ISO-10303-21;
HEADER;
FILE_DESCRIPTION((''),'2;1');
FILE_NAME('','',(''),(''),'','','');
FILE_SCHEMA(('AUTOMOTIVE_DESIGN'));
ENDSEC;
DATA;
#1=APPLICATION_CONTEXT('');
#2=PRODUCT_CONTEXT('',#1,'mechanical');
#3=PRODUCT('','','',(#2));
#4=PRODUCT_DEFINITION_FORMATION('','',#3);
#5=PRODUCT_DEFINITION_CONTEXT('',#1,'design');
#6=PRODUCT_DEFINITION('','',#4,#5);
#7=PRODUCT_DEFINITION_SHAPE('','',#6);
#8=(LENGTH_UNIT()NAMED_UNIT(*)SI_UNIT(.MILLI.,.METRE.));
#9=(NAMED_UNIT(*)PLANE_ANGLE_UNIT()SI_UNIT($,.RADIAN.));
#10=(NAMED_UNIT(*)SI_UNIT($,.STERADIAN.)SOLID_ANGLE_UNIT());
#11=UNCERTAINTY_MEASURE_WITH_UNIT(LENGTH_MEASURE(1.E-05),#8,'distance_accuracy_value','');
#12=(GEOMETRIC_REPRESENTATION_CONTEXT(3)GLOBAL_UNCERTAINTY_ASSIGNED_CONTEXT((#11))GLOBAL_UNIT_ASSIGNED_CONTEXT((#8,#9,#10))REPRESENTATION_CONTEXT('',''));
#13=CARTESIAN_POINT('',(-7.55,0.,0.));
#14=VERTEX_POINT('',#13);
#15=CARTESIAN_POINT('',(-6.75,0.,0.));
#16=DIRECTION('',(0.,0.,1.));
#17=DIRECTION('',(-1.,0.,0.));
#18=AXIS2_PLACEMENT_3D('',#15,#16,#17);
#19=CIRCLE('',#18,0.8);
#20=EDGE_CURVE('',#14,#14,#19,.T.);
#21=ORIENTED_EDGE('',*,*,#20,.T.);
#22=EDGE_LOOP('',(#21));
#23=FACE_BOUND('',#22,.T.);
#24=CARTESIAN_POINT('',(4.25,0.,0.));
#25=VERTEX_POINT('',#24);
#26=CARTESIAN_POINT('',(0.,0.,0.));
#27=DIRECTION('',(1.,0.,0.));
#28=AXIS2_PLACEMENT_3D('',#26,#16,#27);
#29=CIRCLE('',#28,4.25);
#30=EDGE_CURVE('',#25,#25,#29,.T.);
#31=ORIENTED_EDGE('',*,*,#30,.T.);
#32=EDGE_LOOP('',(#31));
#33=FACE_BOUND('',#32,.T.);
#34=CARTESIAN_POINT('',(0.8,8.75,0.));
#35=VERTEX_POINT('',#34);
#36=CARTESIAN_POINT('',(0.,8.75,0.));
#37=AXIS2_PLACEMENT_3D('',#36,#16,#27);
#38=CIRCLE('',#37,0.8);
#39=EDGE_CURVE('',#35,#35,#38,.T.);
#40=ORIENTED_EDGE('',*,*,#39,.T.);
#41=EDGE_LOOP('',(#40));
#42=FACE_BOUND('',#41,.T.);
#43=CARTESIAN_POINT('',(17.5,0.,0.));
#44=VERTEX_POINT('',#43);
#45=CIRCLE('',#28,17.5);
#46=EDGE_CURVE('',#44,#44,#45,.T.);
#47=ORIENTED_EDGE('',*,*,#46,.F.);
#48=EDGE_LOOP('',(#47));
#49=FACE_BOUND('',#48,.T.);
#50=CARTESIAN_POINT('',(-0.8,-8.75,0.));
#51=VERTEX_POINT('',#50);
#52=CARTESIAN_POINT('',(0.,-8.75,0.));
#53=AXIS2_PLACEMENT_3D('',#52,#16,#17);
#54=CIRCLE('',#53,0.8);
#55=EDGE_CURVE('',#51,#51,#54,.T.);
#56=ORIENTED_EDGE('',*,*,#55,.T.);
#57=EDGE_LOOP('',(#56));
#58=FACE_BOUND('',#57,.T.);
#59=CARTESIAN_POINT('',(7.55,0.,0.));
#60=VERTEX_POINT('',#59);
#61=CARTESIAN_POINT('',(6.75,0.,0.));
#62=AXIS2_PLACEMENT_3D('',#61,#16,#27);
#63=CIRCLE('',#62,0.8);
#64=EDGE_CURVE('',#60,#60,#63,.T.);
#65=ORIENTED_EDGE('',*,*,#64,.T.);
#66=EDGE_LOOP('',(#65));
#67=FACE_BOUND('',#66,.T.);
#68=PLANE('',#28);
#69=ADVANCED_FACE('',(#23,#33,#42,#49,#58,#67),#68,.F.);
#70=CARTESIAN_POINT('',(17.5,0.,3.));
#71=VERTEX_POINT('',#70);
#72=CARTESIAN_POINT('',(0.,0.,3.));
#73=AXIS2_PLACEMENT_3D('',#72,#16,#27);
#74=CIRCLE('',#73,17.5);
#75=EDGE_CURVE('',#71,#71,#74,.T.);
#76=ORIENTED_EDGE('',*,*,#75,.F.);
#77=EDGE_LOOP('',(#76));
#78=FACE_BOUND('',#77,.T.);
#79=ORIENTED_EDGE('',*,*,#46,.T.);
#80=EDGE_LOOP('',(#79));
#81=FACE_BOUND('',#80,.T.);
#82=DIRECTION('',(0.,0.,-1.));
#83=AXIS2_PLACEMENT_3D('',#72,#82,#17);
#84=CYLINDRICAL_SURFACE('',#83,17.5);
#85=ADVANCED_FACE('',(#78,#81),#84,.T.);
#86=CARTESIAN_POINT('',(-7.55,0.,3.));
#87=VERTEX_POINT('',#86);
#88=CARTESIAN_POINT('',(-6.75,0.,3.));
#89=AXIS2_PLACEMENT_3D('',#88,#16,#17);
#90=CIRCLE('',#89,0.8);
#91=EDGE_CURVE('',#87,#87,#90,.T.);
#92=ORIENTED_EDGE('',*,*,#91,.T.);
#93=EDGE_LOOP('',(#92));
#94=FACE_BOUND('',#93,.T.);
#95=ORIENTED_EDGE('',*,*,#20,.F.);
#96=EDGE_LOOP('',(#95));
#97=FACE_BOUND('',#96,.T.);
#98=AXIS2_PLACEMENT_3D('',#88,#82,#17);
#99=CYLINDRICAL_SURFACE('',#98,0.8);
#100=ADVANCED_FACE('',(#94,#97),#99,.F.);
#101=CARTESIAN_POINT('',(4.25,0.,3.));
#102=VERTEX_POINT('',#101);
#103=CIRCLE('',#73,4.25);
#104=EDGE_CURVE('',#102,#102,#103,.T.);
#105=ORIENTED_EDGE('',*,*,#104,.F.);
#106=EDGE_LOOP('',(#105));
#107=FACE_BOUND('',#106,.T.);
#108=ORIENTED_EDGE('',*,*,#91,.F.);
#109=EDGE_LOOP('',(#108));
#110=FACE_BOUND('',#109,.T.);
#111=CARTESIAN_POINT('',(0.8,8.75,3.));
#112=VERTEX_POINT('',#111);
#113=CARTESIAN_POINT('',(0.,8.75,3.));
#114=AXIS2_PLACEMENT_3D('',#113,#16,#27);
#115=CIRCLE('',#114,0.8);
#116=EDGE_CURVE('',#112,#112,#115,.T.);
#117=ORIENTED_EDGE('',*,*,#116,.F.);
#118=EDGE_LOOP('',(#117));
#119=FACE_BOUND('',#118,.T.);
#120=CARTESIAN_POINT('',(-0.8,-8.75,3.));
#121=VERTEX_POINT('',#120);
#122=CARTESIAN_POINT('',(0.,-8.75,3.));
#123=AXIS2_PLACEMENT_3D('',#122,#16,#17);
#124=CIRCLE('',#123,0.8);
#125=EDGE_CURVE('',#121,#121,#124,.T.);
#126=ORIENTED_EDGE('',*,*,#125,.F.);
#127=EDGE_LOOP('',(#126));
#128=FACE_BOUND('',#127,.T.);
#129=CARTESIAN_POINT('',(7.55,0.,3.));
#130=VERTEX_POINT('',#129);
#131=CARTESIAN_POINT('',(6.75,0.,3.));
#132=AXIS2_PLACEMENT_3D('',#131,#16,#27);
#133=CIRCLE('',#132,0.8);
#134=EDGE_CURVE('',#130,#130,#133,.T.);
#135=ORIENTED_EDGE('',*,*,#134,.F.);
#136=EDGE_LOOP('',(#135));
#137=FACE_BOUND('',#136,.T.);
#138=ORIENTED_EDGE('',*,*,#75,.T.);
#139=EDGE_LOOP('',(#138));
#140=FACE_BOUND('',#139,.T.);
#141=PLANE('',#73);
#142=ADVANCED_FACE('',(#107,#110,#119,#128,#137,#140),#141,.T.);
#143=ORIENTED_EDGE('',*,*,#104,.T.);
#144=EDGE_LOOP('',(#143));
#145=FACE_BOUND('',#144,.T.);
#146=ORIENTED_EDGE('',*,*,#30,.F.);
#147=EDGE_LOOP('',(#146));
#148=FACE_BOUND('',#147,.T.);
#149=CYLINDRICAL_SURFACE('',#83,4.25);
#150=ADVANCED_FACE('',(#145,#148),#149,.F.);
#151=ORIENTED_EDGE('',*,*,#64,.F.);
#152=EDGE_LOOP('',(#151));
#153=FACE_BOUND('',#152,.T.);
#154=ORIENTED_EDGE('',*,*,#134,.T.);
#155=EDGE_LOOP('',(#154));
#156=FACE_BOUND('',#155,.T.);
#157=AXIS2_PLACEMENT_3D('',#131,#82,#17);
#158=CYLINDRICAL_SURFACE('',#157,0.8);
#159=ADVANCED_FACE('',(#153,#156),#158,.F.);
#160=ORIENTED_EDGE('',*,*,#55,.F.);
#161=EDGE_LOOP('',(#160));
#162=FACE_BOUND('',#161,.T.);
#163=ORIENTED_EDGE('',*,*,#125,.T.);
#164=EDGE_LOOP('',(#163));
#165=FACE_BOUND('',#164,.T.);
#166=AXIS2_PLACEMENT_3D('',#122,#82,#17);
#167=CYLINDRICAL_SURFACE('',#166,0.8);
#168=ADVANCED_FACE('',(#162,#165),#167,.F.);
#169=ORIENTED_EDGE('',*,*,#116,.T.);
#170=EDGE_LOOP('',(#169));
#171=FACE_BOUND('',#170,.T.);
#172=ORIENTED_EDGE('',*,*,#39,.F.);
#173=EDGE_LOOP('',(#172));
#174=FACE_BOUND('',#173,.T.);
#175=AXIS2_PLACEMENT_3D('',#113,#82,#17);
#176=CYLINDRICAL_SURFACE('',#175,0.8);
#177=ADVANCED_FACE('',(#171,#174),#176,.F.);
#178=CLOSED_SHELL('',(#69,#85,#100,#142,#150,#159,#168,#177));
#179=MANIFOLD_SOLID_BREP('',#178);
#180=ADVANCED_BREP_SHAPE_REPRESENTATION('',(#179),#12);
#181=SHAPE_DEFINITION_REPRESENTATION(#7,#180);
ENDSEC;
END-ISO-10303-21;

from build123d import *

# Parameters (mm, degrees)
SKETCH1_R           = 17.5
SKETCH1_R_2         = 4.25
SKETCH1_R_3         = 0.8
BOSS_EXTRUDE1_DEPTH = 3


with BuildPart() as part:
    # Sketch1 → Boss-Extrude1 (new body)
    with BuildSketch(Plane.XY):
        Circle(SKETCH1_R)
        Circle(SKETCH1_R_2, mode=Mode.SUBTRACT)
        with Locations((6.75, 0)):
            Circle(SKETCH1_R_3, mode=Mode.SUBTRACT)
        with Locations((0, 8.75)):
            Circle(SKETCH1_R_3, mode=Mode.SUBTRACT)
        with Locations((0, -8.75)):
            Circle(SKETCH1_R_3, mode=Mode.SUBTRACT)
        with Locations((-6.75, 0)):
            Circle(SKETCH1_R_3, mode=Mode.SUBTRACT)
    extrude(amount=BOSS_EXTRUDE1_DEPTH)


solid = part.part
